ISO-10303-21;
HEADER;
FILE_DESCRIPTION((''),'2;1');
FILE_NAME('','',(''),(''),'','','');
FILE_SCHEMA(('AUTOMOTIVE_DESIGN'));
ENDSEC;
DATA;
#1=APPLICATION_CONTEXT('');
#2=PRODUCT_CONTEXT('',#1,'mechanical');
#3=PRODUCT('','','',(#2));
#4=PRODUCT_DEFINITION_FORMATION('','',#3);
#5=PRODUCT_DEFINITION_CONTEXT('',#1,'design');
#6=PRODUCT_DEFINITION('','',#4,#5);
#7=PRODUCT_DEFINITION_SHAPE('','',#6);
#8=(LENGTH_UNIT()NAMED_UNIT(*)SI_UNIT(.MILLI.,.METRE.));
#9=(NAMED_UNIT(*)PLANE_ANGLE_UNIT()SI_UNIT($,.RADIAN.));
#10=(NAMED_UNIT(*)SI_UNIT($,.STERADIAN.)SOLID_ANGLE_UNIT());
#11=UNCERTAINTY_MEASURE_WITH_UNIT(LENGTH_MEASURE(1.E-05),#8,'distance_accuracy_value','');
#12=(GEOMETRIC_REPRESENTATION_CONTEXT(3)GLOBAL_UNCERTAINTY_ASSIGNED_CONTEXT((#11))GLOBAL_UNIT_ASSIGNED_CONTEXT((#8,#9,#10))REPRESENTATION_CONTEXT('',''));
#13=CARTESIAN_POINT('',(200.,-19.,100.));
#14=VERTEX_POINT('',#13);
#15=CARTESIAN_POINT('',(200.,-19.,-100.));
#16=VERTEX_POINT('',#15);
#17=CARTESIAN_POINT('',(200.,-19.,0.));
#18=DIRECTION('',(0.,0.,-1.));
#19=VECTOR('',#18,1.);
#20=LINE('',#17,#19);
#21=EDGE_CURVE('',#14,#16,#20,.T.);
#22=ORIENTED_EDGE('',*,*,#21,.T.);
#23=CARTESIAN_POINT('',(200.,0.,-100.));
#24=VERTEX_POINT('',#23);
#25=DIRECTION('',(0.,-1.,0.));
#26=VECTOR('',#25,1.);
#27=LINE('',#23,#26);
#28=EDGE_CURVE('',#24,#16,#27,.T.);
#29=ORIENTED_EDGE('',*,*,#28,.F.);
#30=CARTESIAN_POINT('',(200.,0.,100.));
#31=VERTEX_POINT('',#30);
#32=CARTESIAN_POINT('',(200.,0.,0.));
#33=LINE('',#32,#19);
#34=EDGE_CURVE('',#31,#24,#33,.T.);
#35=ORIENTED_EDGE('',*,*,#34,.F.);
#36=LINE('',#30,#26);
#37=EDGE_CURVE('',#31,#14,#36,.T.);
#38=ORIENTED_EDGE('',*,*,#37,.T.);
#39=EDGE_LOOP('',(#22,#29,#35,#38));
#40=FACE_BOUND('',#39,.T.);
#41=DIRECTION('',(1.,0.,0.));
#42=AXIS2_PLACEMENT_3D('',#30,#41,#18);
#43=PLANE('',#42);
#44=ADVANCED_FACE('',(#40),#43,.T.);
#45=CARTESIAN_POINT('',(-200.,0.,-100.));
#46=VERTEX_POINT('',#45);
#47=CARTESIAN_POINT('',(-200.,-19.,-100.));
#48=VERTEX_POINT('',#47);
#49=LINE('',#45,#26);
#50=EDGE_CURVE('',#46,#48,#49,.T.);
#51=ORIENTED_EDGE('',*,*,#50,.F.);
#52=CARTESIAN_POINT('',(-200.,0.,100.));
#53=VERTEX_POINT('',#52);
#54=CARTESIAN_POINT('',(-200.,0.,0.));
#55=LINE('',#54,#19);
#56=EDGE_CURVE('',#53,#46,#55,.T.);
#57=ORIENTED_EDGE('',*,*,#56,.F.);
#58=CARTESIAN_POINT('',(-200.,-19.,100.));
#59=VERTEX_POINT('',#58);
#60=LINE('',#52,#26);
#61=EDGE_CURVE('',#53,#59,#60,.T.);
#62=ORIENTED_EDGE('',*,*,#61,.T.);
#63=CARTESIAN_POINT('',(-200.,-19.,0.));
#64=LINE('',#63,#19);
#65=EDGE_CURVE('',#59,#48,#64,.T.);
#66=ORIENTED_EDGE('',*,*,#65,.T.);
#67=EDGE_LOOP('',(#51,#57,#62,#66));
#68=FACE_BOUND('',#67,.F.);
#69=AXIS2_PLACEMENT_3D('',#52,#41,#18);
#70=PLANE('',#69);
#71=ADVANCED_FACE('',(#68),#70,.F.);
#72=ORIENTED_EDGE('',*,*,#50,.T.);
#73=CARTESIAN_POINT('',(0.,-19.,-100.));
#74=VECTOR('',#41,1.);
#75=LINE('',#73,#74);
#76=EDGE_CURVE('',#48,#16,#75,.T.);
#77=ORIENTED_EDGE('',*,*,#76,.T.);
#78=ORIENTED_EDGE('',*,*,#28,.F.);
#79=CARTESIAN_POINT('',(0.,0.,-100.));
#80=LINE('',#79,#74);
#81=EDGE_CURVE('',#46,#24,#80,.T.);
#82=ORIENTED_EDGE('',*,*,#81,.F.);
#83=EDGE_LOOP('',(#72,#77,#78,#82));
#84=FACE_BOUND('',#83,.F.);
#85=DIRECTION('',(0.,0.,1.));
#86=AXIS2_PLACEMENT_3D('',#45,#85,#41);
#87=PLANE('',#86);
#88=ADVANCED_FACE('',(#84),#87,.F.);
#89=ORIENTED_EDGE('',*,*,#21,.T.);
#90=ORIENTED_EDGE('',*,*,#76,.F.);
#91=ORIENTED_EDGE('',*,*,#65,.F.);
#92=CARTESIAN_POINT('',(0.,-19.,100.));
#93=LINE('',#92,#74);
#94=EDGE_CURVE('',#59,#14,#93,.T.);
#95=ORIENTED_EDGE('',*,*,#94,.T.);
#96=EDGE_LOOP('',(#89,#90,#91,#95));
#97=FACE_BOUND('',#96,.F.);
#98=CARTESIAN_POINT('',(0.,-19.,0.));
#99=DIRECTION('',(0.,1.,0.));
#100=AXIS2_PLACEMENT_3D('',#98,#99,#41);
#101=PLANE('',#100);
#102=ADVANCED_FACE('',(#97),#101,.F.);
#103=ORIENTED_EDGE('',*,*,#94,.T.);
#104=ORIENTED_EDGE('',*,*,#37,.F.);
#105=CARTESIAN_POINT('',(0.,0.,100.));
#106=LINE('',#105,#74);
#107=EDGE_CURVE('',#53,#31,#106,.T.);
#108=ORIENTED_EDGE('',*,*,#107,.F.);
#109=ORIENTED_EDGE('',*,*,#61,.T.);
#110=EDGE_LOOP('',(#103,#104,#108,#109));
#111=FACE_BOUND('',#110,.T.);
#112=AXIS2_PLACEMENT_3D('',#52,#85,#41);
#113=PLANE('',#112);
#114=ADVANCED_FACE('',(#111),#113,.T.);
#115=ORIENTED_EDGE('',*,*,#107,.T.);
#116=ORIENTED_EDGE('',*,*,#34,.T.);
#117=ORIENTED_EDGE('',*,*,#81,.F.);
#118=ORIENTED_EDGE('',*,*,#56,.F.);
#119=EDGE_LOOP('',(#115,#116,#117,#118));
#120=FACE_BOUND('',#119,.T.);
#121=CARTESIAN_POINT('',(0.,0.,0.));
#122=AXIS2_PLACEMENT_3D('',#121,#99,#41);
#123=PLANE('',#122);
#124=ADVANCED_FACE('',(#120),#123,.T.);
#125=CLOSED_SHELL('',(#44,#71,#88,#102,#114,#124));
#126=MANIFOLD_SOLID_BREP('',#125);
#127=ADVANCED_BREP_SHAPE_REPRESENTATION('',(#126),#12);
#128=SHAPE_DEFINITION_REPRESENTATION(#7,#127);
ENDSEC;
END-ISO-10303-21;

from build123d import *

# Parameters (mm, degrees)
SKETCH1_W           = 400
SKETCH1_H           = 200
BOSS_EXTRUDE1_DEPTH = 19


with BuildPart() as part:
    # Sketch1 → Boss-Extrude1 (new body)
    with BuildSketch(Plane(origin=(0, 0, 0), x_dir=(1, 0, 0), z_dir=(0, 1, 0))):
        Rectangle(SKETCH1_W, SKETCH1_H)
    extrude(amount=-BOSS_EXTRUDE1_DEPTH)


solid = part.part
